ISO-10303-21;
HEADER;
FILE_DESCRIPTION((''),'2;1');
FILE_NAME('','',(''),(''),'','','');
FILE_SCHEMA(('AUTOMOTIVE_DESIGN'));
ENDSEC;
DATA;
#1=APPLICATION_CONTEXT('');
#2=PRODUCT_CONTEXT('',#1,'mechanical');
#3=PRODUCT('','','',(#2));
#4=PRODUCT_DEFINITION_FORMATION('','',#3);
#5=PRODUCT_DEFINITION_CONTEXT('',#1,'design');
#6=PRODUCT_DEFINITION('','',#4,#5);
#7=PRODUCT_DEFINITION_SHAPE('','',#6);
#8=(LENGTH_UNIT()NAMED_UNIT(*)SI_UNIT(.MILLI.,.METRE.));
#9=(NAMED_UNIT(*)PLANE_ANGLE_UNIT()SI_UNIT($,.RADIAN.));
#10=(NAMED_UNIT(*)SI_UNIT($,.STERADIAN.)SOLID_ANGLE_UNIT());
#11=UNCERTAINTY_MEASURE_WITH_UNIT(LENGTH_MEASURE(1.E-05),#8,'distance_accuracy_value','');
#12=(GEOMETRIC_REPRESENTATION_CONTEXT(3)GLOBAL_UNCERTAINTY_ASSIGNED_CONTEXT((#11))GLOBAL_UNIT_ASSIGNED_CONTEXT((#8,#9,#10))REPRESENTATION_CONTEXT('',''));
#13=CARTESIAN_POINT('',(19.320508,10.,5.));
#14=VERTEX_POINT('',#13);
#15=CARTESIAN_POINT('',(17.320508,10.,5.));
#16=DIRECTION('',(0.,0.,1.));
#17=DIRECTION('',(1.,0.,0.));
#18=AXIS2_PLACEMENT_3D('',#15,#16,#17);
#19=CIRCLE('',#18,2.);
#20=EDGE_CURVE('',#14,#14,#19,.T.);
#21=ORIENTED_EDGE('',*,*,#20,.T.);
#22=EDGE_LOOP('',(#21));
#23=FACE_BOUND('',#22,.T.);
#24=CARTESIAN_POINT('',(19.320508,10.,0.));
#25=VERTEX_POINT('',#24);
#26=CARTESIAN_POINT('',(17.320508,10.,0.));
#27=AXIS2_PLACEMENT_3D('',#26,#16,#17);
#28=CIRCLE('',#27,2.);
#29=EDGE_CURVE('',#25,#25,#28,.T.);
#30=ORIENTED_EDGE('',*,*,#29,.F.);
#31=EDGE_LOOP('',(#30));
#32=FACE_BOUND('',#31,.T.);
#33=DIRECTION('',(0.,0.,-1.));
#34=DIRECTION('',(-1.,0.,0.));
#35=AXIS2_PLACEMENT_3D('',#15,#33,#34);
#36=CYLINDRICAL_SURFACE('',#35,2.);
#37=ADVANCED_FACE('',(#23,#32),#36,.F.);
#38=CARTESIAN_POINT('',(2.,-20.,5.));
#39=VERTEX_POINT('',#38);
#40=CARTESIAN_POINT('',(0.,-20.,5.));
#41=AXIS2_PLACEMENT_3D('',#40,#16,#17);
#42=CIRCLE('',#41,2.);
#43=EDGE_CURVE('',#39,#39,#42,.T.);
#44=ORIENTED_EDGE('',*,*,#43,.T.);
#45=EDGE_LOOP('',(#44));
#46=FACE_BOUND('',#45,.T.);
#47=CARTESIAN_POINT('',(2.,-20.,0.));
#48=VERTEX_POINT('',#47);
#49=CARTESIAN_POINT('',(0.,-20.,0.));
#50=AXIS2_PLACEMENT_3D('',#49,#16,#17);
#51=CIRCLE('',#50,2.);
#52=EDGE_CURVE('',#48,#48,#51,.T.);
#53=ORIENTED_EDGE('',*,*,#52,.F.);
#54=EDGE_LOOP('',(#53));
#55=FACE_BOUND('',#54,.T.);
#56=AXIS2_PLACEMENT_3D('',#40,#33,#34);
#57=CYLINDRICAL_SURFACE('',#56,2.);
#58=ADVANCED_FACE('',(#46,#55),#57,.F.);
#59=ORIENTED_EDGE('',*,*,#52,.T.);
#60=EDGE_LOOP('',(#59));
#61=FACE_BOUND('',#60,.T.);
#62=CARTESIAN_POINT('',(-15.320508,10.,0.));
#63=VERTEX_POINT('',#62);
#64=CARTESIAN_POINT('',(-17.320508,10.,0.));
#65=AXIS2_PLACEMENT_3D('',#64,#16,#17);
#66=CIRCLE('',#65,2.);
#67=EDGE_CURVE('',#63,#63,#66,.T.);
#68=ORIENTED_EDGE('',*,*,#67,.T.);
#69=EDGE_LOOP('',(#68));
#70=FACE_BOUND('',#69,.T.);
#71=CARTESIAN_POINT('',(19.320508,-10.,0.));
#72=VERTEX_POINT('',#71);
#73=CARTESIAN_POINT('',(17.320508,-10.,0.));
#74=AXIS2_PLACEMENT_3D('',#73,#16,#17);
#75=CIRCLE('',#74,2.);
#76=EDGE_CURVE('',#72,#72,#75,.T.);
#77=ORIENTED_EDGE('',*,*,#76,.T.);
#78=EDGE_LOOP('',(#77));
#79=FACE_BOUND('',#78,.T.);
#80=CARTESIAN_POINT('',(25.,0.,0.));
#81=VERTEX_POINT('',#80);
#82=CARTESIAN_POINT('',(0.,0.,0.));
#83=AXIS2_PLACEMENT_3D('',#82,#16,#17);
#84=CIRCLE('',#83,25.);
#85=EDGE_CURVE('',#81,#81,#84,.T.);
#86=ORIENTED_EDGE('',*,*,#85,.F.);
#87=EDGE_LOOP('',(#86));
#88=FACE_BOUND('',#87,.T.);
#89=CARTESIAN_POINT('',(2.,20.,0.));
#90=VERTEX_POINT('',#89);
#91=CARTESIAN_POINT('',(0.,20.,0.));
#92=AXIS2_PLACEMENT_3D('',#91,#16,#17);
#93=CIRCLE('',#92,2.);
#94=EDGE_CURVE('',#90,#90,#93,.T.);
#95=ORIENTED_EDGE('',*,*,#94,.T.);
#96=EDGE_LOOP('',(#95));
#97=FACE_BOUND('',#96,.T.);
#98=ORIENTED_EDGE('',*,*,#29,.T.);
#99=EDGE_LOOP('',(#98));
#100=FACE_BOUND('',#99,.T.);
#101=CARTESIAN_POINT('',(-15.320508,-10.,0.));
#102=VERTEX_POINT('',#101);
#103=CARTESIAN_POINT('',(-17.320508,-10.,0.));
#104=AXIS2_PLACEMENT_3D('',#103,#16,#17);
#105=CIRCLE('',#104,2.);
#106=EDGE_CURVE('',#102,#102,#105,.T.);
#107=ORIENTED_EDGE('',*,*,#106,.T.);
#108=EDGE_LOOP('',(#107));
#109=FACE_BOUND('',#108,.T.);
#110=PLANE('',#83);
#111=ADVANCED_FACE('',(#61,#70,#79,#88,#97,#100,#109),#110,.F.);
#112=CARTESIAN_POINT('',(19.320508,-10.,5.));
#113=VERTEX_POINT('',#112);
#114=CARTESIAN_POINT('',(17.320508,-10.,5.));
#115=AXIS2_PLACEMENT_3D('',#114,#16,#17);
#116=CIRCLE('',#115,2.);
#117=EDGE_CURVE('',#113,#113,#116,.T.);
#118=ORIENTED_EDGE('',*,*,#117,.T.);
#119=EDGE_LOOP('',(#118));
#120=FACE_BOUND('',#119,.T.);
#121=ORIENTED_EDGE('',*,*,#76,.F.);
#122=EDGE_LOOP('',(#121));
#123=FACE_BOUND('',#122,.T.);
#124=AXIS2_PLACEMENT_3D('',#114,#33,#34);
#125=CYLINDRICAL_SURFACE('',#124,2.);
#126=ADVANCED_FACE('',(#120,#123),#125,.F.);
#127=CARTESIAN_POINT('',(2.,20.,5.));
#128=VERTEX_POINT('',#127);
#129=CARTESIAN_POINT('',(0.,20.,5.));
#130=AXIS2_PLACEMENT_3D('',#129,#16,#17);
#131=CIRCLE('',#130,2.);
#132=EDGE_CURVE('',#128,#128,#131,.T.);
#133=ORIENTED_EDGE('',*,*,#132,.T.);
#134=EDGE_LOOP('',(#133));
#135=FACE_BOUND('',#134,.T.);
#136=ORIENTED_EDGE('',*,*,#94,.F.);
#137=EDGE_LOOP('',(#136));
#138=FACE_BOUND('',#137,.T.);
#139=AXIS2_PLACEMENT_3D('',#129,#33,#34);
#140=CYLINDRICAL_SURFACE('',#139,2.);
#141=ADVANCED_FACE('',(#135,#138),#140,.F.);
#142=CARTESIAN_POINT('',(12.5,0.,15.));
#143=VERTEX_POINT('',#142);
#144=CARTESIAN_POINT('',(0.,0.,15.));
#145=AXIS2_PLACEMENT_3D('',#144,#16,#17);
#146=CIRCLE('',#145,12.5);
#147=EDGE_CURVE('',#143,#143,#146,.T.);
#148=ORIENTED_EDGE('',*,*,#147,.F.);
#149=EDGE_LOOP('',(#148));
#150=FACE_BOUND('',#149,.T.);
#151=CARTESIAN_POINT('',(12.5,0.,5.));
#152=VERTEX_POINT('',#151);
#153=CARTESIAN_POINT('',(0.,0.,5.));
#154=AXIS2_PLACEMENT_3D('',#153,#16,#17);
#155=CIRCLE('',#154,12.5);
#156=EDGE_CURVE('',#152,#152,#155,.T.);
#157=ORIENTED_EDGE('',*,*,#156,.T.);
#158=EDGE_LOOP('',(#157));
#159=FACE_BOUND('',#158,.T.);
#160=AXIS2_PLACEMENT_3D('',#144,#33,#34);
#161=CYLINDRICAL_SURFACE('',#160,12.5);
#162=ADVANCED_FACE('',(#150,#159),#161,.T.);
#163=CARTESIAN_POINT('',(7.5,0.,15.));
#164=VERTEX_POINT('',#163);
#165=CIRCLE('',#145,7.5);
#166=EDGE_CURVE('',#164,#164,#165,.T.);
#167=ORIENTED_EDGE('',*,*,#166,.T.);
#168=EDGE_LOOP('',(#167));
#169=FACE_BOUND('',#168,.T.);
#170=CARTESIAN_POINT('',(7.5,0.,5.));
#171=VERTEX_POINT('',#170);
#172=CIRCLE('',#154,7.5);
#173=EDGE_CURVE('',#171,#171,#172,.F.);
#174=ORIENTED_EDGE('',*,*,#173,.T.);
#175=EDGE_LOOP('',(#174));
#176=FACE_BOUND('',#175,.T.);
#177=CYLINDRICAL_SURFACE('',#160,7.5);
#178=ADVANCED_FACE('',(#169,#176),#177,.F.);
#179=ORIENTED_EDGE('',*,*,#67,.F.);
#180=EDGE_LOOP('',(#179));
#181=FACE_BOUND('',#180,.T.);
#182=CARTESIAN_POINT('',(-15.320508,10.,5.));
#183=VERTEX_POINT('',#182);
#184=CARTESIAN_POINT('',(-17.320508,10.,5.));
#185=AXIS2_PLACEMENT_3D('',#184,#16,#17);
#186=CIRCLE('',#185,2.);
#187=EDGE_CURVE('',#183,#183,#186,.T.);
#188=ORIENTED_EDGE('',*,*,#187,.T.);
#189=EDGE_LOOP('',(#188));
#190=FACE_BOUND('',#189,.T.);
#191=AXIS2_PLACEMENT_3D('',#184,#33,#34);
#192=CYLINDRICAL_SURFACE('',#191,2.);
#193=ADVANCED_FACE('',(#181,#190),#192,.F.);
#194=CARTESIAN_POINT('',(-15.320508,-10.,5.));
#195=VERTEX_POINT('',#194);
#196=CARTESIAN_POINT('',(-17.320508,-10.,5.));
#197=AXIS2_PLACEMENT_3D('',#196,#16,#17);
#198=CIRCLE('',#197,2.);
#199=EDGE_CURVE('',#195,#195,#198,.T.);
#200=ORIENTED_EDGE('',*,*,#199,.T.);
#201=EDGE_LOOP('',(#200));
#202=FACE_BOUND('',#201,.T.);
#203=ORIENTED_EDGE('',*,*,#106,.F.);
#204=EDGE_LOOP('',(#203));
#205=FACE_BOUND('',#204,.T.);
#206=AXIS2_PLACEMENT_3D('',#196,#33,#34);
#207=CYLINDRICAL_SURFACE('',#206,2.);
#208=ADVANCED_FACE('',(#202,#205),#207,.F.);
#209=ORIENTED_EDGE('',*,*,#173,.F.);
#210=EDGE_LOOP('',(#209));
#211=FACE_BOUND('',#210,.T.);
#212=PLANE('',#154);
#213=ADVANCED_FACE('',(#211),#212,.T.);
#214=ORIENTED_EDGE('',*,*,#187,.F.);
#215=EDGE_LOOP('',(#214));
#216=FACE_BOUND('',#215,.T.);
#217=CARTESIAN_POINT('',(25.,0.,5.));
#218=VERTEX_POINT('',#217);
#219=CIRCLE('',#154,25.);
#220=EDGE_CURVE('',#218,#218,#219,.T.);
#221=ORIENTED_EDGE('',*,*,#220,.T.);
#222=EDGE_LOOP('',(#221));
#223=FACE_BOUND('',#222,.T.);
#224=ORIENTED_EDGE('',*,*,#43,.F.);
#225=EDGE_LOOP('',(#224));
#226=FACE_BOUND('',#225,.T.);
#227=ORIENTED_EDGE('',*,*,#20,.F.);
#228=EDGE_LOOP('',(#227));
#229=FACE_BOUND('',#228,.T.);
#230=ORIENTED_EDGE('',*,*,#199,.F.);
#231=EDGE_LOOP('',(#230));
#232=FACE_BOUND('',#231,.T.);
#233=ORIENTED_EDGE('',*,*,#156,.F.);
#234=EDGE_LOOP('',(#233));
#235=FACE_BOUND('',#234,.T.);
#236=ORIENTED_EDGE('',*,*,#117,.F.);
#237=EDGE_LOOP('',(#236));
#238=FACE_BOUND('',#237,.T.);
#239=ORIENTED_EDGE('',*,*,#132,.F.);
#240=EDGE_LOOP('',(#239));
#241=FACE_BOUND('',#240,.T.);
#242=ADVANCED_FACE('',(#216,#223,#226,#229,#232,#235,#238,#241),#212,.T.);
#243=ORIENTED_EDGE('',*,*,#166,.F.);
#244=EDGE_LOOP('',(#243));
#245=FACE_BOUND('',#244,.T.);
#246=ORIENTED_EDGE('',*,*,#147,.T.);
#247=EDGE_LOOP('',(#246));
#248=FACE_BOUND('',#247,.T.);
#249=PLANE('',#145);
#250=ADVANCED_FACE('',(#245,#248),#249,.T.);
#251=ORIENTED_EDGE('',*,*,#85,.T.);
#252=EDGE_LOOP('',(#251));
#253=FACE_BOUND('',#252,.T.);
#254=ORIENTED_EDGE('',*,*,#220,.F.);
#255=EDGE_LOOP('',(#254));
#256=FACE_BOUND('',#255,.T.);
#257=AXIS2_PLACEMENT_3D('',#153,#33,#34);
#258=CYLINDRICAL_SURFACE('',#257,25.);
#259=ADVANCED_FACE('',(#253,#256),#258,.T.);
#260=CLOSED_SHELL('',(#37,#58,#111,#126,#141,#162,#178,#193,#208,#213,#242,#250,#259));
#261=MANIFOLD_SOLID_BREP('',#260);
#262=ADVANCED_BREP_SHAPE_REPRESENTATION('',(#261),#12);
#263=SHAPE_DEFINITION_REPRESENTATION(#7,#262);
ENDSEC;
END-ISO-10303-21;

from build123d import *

# Parameters (mm, degrees)
SKETCH1_R           = 25
SKETCH1_R_2         = 2
BOSS_EXTRUDE1_DEPTH = 5
SKETCH2_R           = 12.5
SKETCH2_R_2         = 7.5
BOSS_EXTRUDE2_DEPTH = 10


with BuildPart() as part:
    # Sketch1 → Boss-Extrude1 (new body)
    with BuildSketch(Plane.XY):
        Circle(SKETCH1_R)
        with Locations((0, 20)):
            Circle(SKETCH1_R_2, mode=Mode.SUBTRACT)
        with Locations((17.320508076, 10)):
            Circle(SKETCH1_R_2, mode=Mode.SUBTRACT)
        with Locations((17.320508076, -10)):
            Circle(SKETCH1_R_2, mode=Mode.SUBTRACT)
        with Locations((0, -20)):
            Circle(SKETCH1_R_2, mode=Mode.SUBTRACT)
        with Locations((-17.320508076, -10)):
            Circle(SKETCH1_R_2, mode=Mode.SUBTRACT)
        with Locations((-17.320508076, 10)):
            Circle(SKETCH1_R_2, mode=Mode.SUBTRACT)
    extrude(amount=BOSS_EXTRUDE1_DEPTH)

    # Sketch2 → Boss-Extrude2 (add)
    with BuildSketch(Plane.XY.offset(5)):
        Circle(SKETCH2_R)
        Circle(SKETCH2_R_2, mode=Mode.SUBTRACT)
    extrude(amount=BOSS_EXTRUDE2_DEPTH)


solid = part.part
